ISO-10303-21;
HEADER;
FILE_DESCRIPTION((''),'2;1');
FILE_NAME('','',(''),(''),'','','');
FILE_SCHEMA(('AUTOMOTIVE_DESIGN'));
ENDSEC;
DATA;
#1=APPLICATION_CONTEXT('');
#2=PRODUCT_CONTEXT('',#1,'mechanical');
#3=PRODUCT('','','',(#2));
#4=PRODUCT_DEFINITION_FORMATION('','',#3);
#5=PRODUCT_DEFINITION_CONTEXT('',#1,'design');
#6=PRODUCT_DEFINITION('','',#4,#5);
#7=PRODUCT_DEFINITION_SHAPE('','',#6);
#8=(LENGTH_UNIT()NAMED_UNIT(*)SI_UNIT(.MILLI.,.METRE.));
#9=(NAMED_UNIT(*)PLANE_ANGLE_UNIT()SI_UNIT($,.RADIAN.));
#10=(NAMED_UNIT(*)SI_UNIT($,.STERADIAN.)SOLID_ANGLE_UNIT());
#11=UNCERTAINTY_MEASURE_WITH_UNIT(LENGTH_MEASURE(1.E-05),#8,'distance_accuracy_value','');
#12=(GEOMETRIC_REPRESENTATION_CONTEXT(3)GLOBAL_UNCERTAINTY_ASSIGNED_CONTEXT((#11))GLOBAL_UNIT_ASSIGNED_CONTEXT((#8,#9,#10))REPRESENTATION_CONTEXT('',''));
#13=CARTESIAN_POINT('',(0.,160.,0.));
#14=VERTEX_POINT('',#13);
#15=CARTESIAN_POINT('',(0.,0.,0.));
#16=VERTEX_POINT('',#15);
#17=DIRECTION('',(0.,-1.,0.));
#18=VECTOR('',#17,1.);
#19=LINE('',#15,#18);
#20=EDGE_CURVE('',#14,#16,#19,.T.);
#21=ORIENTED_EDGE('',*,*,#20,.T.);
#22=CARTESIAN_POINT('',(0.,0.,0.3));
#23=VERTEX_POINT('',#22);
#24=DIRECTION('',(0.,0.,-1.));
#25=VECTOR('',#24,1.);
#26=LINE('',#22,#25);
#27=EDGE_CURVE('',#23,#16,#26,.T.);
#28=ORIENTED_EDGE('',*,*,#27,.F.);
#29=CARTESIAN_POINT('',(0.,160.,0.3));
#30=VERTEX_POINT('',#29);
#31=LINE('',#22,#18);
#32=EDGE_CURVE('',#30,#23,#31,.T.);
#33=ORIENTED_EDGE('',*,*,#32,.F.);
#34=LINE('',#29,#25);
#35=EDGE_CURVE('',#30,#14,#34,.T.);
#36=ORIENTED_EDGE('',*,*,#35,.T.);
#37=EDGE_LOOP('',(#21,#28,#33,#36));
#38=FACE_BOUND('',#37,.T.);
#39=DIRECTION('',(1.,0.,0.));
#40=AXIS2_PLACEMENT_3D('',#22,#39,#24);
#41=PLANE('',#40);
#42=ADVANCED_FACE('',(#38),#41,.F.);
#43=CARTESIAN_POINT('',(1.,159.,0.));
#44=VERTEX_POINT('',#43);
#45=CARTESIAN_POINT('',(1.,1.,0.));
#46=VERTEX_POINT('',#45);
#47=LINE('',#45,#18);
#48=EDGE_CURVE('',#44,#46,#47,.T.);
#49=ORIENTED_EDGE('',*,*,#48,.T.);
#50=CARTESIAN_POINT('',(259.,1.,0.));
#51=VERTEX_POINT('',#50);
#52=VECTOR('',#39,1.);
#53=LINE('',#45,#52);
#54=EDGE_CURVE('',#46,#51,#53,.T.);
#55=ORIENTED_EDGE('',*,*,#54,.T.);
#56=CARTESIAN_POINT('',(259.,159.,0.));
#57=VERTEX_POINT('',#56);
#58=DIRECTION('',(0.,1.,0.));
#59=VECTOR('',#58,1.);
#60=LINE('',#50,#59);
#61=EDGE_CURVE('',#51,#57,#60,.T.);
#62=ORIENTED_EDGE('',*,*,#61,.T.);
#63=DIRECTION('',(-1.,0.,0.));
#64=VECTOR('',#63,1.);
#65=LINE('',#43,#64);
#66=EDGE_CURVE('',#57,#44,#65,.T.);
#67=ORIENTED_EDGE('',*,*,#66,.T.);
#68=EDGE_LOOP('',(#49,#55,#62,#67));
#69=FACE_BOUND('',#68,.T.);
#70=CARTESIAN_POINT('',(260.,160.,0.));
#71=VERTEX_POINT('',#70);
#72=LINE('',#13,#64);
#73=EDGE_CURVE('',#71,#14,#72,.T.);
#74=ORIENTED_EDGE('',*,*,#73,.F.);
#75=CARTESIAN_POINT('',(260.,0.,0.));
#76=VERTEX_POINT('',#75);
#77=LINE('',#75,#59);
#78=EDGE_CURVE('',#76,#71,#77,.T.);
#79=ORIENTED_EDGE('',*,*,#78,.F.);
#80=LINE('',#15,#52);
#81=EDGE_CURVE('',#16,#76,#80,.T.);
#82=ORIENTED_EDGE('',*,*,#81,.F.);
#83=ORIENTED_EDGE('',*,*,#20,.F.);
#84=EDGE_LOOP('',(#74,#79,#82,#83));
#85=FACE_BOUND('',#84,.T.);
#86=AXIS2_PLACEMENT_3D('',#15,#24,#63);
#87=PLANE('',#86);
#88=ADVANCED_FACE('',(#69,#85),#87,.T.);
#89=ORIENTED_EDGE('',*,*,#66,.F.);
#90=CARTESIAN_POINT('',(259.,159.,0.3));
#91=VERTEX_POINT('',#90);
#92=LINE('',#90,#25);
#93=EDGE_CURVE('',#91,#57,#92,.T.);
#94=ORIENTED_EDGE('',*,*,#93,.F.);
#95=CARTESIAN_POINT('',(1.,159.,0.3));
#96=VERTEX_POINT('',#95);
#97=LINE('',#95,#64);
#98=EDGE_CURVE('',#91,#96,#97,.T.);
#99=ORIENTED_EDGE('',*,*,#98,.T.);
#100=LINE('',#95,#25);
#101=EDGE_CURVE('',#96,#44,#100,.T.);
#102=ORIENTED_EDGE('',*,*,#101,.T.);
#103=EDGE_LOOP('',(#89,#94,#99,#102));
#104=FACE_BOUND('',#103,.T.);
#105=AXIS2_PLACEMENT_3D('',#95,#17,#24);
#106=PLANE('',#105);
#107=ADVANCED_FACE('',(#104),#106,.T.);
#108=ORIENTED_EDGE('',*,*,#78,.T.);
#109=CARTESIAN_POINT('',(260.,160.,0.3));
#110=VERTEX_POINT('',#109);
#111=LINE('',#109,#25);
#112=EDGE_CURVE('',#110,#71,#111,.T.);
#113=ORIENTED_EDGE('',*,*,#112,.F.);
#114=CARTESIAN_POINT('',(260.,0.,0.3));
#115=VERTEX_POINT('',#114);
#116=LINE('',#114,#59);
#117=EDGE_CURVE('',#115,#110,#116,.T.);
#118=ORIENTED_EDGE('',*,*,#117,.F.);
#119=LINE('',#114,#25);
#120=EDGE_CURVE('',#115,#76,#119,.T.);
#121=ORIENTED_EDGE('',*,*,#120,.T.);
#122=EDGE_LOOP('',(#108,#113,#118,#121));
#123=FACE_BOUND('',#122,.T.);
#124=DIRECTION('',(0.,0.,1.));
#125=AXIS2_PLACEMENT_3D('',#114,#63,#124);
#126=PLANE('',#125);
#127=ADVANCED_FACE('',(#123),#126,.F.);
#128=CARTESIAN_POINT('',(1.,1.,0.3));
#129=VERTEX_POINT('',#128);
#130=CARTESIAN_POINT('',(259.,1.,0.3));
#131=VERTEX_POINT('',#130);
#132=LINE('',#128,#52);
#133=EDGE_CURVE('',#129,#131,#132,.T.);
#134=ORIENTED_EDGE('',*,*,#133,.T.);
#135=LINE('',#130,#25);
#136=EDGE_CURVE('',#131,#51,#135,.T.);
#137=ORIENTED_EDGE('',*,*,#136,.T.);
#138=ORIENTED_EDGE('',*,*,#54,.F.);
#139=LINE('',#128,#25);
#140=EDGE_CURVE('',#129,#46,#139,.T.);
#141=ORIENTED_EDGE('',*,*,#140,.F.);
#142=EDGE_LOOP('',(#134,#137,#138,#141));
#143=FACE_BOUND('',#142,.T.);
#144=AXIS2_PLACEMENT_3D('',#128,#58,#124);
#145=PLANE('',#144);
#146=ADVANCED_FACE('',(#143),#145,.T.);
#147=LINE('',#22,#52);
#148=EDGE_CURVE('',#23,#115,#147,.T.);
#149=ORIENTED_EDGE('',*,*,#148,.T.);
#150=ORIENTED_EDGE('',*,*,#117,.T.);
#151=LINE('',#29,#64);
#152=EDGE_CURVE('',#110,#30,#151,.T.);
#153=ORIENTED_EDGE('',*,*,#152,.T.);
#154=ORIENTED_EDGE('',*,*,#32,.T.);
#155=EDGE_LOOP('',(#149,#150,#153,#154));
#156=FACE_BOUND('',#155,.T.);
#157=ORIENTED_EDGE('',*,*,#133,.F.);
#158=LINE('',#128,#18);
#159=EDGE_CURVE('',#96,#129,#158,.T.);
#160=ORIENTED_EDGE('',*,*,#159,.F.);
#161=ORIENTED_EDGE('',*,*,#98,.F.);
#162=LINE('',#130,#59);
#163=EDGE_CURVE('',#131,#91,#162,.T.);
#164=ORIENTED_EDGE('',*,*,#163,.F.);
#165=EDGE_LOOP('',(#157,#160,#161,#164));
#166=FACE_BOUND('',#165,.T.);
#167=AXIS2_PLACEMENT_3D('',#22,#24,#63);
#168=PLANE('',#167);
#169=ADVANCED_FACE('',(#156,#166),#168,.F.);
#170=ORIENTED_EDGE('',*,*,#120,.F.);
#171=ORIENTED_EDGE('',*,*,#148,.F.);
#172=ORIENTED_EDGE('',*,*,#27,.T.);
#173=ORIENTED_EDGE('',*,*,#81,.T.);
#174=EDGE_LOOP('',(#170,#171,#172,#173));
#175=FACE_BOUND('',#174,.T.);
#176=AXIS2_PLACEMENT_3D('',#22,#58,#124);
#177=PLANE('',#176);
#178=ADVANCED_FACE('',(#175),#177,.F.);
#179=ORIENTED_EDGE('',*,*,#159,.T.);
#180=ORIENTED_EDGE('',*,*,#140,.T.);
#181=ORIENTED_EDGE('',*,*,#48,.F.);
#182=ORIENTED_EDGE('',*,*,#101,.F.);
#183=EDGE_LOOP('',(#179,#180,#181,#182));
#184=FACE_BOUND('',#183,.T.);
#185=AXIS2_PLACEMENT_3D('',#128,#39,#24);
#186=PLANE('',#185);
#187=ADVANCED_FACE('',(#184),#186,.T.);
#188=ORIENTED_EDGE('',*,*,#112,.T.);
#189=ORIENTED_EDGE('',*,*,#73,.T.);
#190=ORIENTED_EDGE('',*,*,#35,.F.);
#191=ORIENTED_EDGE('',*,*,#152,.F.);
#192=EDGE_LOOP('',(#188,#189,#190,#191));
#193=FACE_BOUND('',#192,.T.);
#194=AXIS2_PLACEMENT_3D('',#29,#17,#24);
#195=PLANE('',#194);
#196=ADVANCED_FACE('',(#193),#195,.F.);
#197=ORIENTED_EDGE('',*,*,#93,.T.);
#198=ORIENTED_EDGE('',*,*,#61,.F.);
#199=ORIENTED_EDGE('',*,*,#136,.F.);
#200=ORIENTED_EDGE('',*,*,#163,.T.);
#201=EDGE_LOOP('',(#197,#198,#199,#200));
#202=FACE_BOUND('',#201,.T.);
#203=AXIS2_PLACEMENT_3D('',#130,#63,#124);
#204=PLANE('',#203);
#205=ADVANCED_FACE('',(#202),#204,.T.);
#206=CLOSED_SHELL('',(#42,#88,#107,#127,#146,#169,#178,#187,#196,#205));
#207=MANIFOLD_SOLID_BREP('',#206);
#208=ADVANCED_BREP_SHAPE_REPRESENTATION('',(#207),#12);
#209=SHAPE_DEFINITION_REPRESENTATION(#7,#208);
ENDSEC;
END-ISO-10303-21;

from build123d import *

# Parameters (mm, degrees)
SKETCH_1_W      = 260
SKETCH_1_H      = 160
SKETCH_1_W_2    = 258
SKETCH_1_H_2    = 158
EXTRUDE_2_DEPTH = 0.3


with BuildPart() as part:
    # 草图1 → 凸台-拉伸2 (new body)
    with BuildSketch(Plane.XY):
        with Locations((130, 80)):
            Rectangle(SKETCH_1_W, SKETCH_1_H)
        with Locations((130, 80)):
            Rectangle(SKETCH_1_W_2, SKETCH_1_H_2, mode=Mode.SUBTRACT)
    extrude(amount=EXTRUDE_2_DEPTH)


solid = part.part
